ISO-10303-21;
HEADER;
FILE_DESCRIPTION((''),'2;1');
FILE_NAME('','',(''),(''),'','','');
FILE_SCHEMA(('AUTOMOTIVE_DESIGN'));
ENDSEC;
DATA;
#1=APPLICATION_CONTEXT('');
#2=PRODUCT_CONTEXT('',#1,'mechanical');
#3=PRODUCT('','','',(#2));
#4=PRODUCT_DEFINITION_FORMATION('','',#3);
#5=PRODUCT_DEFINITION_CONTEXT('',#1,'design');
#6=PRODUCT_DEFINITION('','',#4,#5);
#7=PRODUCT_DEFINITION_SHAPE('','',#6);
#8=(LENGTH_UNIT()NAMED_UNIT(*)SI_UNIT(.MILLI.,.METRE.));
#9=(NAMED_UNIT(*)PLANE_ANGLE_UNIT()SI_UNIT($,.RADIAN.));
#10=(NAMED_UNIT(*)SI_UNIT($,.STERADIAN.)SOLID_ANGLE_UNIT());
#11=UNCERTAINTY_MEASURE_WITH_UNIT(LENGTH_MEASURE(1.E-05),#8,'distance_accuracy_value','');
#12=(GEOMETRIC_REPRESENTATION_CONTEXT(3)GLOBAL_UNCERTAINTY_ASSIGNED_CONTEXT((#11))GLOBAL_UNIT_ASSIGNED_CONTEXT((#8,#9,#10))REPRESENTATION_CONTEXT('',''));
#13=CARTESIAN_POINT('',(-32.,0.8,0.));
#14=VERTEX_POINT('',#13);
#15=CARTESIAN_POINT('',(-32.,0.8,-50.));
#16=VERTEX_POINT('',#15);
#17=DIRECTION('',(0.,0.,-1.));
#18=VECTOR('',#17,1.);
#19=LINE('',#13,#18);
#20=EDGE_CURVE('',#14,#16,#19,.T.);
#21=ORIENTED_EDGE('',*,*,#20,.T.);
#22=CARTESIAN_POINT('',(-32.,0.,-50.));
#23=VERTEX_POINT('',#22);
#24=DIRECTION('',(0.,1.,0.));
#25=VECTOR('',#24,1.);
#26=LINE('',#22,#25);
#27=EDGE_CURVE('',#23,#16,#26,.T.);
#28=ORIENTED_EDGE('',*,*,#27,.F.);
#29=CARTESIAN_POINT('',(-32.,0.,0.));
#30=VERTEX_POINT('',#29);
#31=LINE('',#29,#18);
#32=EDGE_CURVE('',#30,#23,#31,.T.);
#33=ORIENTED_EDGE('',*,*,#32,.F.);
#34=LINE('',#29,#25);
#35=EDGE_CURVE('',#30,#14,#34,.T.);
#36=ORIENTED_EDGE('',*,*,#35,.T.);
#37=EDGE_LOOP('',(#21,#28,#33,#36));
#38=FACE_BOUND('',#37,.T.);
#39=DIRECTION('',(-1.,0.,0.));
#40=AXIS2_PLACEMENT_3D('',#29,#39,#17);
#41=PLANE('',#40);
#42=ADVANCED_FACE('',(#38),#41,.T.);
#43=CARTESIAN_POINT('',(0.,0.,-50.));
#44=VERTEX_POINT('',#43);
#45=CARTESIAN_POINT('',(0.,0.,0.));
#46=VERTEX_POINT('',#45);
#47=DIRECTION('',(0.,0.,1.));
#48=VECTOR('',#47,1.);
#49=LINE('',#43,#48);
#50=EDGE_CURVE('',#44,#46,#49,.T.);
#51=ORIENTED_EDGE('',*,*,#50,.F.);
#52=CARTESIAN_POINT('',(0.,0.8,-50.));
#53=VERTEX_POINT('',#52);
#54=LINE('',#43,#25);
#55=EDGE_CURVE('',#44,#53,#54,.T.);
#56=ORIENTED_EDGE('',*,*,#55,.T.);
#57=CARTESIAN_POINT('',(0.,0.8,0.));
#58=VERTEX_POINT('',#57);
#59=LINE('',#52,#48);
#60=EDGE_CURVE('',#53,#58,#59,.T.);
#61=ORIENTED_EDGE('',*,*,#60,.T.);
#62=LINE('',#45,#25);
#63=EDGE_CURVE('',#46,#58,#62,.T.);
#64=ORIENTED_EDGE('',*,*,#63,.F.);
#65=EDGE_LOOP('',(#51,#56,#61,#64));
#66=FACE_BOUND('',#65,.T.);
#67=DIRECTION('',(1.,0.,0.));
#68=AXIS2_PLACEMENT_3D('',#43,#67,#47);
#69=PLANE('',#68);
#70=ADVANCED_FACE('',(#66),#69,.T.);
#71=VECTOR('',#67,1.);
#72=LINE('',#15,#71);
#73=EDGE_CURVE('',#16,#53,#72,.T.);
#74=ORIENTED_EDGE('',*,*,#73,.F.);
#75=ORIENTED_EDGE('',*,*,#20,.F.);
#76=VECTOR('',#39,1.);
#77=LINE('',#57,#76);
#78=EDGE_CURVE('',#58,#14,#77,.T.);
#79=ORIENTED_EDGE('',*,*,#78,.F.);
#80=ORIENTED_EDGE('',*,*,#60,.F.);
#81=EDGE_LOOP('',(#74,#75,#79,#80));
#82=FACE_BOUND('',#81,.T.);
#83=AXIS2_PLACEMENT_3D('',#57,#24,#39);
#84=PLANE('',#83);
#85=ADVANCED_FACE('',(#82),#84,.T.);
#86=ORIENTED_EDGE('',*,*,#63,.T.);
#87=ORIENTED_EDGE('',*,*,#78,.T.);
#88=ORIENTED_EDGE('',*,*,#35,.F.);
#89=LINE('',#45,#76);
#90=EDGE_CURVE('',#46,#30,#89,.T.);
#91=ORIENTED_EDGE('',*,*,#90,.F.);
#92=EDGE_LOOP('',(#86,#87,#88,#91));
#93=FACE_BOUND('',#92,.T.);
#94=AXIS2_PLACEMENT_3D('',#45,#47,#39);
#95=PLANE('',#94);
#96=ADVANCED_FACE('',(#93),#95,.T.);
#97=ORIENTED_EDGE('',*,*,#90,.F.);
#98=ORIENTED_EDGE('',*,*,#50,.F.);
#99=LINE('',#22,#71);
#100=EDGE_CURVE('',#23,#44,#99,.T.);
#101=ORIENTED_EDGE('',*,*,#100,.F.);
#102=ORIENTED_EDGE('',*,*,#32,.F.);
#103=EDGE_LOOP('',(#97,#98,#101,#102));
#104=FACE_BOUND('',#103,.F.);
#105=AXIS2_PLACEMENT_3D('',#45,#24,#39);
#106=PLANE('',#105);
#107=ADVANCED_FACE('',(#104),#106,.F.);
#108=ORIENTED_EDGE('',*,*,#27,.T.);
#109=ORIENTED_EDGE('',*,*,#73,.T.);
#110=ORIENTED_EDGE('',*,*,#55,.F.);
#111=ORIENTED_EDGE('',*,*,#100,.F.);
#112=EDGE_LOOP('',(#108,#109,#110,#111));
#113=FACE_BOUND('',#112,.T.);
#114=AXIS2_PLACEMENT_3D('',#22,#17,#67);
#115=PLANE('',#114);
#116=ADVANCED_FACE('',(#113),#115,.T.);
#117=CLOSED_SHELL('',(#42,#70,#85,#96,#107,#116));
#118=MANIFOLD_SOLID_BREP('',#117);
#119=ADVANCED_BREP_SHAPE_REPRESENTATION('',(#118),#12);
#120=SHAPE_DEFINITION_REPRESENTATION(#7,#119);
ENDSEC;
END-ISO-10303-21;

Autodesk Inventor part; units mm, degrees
ref_plane "YZ Plane" through (0, 0, 0) normal (1, 0, 0) x (0, 1, 0)
ref_plane "XZ Plane" through (0, 0, 0) normal (0, 1, 0) x (-1, 0, 0)
ref_plane "XY Plane" through (0, 0, 0) normal (0, 0, 1) x (1, 0, 0)
sketch "Sketch1" plane through (0, 0, 0) normal (0, 1, 0) x (-1, 0, 0)
  line L0 (0, 0) -> (32, 0)
  line L1 (32, 0) -> (32, -50)
  line L2 (32, -50) -> (0, -50)
  line L3 (0, -50) -> (0, 0)
  dimension "d0" = 32
  dimension "d1" = 50
extrude "Extrusion1" add sketch "Sketch1" along normal blind 0.8
properties part number "side_case"
